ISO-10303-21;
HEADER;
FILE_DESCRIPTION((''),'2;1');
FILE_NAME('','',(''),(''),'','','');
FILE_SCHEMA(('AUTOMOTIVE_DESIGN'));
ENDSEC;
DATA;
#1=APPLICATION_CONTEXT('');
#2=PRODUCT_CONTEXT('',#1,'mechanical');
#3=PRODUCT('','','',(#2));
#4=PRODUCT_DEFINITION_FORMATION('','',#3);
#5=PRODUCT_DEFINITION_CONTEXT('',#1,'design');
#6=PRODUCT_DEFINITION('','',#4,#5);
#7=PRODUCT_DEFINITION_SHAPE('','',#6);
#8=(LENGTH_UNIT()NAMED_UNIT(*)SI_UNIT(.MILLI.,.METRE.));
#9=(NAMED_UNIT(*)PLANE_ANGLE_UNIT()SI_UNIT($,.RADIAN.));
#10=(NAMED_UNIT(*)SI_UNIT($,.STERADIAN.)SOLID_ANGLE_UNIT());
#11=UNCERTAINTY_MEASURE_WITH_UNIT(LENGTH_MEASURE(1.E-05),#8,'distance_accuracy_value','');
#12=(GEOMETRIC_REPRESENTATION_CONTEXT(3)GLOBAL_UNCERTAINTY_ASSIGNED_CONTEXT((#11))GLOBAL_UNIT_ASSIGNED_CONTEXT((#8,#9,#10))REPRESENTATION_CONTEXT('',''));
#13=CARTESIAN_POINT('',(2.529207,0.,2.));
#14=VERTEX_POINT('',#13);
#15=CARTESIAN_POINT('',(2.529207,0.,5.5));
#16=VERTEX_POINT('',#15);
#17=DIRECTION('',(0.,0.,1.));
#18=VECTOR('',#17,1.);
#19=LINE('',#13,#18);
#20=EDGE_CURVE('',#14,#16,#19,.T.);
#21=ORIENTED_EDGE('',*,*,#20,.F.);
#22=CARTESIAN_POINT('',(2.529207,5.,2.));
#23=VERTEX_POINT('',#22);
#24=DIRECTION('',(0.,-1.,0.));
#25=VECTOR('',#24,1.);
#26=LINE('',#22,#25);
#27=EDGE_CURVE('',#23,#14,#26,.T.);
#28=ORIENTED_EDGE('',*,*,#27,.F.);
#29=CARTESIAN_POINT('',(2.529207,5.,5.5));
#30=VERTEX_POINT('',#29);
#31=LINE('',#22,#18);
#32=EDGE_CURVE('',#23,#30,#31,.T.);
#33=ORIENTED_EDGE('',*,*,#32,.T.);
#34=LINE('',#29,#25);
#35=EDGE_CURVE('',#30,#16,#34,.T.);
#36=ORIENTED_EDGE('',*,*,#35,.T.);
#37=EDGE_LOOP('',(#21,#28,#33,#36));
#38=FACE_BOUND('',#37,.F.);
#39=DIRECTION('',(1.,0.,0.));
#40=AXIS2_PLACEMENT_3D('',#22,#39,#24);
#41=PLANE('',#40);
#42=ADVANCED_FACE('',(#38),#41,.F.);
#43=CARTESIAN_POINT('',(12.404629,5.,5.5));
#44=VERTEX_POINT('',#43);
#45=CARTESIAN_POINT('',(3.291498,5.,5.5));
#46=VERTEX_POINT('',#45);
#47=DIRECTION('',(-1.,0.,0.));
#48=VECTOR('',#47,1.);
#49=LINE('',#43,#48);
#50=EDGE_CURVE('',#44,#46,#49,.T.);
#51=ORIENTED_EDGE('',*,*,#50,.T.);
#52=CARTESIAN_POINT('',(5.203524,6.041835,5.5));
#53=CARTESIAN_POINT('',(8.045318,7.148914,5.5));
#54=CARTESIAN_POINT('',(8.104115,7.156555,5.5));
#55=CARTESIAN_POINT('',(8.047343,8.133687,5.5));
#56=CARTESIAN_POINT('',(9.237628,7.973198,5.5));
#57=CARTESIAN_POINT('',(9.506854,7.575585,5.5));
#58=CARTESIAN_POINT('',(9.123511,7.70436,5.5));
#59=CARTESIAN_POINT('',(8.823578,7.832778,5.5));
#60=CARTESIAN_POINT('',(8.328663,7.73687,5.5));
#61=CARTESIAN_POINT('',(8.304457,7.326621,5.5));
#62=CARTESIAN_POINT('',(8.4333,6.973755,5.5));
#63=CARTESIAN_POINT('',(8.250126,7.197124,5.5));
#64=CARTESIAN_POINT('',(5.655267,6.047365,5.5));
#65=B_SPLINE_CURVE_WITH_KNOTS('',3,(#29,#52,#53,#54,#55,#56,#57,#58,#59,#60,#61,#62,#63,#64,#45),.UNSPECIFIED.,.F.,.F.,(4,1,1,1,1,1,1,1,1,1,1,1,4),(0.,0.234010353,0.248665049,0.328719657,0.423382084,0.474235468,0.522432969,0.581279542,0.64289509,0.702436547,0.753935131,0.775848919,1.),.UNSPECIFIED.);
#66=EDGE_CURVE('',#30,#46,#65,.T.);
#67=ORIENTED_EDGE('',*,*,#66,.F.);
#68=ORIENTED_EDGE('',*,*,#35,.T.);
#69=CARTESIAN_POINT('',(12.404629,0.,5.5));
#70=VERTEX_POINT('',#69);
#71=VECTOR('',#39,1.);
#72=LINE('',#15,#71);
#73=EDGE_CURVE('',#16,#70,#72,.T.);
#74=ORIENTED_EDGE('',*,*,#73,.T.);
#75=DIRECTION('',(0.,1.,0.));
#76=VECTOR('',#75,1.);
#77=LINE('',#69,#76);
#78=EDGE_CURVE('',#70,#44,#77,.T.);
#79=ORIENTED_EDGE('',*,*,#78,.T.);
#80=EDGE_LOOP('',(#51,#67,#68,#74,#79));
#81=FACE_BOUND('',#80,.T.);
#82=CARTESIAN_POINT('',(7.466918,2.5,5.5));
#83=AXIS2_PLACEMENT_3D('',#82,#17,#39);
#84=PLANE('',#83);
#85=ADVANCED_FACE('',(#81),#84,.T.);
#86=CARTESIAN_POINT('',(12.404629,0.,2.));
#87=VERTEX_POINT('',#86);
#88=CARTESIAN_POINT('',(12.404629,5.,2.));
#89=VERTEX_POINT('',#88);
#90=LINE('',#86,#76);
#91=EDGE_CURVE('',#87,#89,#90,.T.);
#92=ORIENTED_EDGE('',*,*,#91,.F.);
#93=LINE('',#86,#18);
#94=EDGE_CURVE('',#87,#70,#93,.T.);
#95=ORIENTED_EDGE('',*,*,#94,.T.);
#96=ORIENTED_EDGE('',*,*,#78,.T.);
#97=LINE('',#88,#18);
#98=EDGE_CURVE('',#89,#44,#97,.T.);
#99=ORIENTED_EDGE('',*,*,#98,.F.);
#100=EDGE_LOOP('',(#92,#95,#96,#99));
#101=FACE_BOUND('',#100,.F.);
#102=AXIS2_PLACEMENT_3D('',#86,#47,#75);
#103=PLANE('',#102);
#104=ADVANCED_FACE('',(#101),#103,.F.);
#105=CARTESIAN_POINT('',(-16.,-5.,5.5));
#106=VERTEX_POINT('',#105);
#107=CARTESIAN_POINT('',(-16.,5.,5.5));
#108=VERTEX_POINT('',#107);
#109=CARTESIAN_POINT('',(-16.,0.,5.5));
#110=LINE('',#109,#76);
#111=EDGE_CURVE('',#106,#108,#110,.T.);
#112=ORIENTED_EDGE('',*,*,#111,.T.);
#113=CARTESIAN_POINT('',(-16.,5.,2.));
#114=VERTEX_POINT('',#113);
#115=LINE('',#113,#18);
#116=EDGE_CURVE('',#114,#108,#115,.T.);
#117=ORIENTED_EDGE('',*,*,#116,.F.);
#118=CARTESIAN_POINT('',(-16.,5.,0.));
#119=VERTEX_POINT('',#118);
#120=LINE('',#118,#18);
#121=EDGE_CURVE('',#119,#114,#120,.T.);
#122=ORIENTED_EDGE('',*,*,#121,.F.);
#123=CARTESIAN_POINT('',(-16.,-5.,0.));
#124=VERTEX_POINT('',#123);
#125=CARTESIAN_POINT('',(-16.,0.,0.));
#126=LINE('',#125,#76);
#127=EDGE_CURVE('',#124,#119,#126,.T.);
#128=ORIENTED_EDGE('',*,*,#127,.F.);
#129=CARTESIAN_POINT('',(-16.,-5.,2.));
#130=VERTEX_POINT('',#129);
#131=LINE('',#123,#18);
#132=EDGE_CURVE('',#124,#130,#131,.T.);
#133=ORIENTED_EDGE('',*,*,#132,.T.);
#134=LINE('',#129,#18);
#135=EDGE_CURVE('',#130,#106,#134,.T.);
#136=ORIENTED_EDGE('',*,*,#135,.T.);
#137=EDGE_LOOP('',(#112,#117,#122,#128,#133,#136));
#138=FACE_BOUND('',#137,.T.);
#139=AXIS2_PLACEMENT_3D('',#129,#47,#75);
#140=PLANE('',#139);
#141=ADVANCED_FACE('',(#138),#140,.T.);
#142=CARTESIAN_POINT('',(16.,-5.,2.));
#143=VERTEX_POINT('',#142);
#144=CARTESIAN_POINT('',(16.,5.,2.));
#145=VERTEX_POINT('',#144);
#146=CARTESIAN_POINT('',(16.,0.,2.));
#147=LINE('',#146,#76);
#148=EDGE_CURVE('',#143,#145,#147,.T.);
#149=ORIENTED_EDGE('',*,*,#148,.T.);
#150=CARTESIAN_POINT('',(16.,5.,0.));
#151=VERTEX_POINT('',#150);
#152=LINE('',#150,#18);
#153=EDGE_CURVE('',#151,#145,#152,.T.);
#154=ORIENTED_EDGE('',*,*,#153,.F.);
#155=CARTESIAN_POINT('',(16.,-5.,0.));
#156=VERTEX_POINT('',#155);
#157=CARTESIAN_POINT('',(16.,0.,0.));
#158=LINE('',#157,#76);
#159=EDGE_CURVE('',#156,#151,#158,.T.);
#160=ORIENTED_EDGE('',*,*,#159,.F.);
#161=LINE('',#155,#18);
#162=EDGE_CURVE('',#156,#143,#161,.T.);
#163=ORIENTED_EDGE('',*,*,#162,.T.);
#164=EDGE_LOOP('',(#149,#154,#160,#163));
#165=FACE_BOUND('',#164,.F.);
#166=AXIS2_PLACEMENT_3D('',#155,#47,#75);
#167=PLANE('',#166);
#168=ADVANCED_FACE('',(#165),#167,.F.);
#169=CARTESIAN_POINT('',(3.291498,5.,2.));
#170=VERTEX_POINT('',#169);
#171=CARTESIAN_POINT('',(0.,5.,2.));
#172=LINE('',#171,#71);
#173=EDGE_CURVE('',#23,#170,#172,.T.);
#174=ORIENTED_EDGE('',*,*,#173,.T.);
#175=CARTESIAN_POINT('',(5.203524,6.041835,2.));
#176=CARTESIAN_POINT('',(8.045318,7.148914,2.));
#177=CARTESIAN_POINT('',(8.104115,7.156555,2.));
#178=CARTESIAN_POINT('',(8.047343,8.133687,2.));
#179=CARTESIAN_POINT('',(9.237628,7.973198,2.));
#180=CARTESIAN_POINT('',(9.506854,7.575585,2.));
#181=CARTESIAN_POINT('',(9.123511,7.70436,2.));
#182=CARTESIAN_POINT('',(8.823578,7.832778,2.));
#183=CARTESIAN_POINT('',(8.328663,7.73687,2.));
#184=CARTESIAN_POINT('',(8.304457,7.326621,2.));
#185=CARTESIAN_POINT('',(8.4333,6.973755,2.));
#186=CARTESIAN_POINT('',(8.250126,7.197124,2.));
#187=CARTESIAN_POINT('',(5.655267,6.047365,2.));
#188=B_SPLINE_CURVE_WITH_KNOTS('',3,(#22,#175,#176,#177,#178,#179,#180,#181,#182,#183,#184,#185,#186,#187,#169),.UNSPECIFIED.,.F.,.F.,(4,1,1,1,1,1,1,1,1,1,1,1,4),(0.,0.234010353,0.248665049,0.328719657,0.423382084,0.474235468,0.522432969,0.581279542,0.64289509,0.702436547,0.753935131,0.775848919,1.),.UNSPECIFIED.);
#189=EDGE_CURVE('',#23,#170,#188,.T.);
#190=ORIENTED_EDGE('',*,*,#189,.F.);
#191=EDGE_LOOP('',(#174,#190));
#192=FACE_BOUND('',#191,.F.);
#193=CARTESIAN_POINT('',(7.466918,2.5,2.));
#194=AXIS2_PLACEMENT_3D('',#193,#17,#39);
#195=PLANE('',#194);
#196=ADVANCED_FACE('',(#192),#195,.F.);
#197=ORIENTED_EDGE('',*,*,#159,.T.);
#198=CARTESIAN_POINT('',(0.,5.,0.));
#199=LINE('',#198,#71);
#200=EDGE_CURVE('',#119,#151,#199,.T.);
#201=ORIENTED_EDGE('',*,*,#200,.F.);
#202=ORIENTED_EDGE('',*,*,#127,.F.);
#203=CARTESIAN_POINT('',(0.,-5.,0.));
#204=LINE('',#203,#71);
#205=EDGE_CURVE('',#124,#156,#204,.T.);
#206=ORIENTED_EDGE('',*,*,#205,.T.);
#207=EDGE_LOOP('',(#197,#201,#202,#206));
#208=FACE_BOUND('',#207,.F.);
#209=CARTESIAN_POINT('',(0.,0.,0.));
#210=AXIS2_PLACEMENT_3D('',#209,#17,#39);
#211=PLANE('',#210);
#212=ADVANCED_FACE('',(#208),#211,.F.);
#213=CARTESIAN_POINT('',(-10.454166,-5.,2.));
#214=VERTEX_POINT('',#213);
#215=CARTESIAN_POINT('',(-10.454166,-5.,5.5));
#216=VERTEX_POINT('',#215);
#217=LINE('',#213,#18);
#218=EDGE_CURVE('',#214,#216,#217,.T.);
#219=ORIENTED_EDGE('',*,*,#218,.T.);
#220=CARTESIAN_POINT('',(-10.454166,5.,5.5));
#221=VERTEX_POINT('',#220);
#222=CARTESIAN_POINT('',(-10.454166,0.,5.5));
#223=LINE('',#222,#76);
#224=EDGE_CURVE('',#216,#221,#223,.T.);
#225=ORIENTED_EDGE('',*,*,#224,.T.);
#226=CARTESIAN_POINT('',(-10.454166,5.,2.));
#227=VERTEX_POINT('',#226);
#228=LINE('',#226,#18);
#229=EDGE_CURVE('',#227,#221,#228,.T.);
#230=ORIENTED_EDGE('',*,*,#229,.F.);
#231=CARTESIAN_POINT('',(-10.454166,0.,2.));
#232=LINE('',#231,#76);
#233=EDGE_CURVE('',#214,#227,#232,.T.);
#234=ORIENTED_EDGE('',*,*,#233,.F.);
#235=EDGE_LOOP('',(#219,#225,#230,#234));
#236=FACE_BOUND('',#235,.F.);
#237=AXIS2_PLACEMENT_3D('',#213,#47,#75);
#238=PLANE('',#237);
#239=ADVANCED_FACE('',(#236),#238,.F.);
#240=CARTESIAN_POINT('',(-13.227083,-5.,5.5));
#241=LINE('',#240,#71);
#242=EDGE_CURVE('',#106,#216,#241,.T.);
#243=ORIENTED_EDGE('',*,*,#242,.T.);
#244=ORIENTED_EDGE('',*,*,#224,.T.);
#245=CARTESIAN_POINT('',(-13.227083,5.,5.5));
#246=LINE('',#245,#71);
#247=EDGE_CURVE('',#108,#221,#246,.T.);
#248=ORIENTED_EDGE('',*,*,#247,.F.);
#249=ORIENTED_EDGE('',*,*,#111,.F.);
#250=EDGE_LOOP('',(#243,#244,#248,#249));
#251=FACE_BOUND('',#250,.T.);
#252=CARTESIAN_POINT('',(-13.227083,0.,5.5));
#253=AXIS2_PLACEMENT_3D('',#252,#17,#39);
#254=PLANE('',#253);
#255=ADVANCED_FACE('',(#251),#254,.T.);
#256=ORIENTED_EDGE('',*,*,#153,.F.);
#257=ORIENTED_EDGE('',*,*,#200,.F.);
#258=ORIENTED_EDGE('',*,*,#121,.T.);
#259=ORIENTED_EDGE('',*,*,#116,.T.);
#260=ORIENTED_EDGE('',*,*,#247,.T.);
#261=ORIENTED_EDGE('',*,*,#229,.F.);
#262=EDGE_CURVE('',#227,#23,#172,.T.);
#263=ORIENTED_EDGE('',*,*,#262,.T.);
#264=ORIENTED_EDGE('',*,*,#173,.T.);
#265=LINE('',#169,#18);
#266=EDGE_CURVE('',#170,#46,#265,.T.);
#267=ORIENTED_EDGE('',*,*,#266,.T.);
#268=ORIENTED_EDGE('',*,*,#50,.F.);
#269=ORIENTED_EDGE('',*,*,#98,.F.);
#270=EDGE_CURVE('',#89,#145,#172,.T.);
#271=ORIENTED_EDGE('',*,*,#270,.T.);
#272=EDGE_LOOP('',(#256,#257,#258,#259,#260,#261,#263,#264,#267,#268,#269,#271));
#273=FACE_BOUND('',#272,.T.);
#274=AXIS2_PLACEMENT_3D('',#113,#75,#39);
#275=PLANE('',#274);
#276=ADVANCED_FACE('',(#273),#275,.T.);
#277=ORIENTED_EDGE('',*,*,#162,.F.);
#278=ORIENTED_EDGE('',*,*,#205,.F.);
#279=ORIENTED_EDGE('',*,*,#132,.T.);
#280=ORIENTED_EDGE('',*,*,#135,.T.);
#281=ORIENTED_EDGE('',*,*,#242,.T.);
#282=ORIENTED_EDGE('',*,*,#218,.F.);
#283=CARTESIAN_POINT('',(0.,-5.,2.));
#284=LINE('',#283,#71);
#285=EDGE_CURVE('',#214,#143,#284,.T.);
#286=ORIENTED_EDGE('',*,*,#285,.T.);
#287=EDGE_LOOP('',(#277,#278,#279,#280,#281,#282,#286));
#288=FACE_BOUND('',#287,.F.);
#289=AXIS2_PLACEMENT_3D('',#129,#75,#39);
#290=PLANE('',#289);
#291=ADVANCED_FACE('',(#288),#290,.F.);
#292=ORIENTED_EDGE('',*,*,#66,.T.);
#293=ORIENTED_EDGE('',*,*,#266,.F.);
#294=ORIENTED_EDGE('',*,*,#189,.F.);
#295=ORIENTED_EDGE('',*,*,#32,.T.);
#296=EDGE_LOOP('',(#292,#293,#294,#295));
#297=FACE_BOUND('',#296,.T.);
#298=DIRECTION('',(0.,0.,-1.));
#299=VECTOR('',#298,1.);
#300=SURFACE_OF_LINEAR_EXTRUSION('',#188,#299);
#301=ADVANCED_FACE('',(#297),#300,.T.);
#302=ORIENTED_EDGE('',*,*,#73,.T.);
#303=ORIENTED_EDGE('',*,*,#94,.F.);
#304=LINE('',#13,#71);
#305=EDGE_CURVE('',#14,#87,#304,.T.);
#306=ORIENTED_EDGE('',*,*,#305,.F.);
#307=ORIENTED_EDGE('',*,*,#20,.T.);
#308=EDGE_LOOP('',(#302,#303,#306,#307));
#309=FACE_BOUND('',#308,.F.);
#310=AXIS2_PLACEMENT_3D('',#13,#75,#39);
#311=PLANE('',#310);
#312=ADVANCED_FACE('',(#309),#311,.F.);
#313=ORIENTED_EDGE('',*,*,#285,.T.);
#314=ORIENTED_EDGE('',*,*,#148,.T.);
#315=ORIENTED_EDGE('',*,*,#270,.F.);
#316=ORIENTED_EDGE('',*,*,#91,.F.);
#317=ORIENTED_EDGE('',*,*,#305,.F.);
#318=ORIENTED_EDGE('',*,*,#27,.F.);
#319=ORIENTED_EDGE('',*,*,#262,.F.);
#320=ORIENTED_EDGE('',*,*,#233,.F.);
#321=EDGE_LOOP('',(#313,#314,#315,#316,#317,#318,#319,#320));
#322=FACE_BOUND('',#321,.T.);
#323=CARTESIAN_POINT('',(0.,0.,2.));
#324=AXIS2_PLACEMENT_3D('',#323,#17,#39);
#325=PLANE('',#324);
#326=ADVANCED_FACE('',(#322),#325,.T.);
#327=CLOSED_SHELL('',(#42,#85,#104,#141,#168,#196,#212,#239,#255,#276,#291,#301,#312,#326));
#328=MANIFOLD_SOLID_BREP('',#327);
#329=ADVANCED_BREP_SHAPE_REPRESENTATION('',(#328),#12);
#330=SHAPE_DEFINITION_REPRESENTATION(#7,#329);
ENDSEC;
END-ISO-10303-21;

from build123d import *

# Parameters (mm, degrees)
F0_W     = 32
F0_H     = 10
F1_DEPTH = 2
F2_W     = 5.5458344221
F2_H     = 10
F3_DEPTH = 3.5


with BuildPart() as f1:
    # F0 (on Top) → F1 (new body)
    with BuildSketch(Plane.XY):
        Rectangle(F0_W, F0_H)
    extrude(amount=F1_DEPTH)

    # F2 (on face) → F3 (join)
    with BuildSketch(Plane.XY.offset(2)):
        with Locations((-13.2270827889, 0)):
            Rectangle(F2_W, F2_H)
        Polygon((2.5292073842, 5), (2.5292073842, 0), (12.4046290293, 0), (12.4046290293, 5), (3.291498404, 5), align=None)
        with BuildLine():
            add(Edge.make_bspline(
                [(2.5292073842, 5), (5.2035244989, 6.0418348222), (8.0453184048, 7.1489136471), (8.1041145395, 7.1565554808), (8.0473425114, 8.133686708), (9.2376280574, 7.9731977463), (9.5068539233, 7.5755852075), (9.1235107264, 7.7043597462), (8.8235780734, 7.8327776335), (8.3286628848, 7.7368701942), (8.3044574124, 7.3266214299), (8.4332999689, 6.9737546554), (8.2501261437, 7.1971235789), (5.6552671519, 6.0473647799), (3.291498404, 5)],
                knots=[0, 0, 0, 0, 0.234010353, 0.2486650485, 0.3287196568, 0.4233820842, 0.4742354681, 0.5224329693, 0.581279542, 0.6428950899, 0.7024365474, 0.7539351311, 0.7758489194, 1, 1, 1, 1], degree=3))
            Line((2.5292073842, 5), (3.291498404, 5))
        make_face()
    extrude(amount=F3_DEPTH)


solid = f1.part
